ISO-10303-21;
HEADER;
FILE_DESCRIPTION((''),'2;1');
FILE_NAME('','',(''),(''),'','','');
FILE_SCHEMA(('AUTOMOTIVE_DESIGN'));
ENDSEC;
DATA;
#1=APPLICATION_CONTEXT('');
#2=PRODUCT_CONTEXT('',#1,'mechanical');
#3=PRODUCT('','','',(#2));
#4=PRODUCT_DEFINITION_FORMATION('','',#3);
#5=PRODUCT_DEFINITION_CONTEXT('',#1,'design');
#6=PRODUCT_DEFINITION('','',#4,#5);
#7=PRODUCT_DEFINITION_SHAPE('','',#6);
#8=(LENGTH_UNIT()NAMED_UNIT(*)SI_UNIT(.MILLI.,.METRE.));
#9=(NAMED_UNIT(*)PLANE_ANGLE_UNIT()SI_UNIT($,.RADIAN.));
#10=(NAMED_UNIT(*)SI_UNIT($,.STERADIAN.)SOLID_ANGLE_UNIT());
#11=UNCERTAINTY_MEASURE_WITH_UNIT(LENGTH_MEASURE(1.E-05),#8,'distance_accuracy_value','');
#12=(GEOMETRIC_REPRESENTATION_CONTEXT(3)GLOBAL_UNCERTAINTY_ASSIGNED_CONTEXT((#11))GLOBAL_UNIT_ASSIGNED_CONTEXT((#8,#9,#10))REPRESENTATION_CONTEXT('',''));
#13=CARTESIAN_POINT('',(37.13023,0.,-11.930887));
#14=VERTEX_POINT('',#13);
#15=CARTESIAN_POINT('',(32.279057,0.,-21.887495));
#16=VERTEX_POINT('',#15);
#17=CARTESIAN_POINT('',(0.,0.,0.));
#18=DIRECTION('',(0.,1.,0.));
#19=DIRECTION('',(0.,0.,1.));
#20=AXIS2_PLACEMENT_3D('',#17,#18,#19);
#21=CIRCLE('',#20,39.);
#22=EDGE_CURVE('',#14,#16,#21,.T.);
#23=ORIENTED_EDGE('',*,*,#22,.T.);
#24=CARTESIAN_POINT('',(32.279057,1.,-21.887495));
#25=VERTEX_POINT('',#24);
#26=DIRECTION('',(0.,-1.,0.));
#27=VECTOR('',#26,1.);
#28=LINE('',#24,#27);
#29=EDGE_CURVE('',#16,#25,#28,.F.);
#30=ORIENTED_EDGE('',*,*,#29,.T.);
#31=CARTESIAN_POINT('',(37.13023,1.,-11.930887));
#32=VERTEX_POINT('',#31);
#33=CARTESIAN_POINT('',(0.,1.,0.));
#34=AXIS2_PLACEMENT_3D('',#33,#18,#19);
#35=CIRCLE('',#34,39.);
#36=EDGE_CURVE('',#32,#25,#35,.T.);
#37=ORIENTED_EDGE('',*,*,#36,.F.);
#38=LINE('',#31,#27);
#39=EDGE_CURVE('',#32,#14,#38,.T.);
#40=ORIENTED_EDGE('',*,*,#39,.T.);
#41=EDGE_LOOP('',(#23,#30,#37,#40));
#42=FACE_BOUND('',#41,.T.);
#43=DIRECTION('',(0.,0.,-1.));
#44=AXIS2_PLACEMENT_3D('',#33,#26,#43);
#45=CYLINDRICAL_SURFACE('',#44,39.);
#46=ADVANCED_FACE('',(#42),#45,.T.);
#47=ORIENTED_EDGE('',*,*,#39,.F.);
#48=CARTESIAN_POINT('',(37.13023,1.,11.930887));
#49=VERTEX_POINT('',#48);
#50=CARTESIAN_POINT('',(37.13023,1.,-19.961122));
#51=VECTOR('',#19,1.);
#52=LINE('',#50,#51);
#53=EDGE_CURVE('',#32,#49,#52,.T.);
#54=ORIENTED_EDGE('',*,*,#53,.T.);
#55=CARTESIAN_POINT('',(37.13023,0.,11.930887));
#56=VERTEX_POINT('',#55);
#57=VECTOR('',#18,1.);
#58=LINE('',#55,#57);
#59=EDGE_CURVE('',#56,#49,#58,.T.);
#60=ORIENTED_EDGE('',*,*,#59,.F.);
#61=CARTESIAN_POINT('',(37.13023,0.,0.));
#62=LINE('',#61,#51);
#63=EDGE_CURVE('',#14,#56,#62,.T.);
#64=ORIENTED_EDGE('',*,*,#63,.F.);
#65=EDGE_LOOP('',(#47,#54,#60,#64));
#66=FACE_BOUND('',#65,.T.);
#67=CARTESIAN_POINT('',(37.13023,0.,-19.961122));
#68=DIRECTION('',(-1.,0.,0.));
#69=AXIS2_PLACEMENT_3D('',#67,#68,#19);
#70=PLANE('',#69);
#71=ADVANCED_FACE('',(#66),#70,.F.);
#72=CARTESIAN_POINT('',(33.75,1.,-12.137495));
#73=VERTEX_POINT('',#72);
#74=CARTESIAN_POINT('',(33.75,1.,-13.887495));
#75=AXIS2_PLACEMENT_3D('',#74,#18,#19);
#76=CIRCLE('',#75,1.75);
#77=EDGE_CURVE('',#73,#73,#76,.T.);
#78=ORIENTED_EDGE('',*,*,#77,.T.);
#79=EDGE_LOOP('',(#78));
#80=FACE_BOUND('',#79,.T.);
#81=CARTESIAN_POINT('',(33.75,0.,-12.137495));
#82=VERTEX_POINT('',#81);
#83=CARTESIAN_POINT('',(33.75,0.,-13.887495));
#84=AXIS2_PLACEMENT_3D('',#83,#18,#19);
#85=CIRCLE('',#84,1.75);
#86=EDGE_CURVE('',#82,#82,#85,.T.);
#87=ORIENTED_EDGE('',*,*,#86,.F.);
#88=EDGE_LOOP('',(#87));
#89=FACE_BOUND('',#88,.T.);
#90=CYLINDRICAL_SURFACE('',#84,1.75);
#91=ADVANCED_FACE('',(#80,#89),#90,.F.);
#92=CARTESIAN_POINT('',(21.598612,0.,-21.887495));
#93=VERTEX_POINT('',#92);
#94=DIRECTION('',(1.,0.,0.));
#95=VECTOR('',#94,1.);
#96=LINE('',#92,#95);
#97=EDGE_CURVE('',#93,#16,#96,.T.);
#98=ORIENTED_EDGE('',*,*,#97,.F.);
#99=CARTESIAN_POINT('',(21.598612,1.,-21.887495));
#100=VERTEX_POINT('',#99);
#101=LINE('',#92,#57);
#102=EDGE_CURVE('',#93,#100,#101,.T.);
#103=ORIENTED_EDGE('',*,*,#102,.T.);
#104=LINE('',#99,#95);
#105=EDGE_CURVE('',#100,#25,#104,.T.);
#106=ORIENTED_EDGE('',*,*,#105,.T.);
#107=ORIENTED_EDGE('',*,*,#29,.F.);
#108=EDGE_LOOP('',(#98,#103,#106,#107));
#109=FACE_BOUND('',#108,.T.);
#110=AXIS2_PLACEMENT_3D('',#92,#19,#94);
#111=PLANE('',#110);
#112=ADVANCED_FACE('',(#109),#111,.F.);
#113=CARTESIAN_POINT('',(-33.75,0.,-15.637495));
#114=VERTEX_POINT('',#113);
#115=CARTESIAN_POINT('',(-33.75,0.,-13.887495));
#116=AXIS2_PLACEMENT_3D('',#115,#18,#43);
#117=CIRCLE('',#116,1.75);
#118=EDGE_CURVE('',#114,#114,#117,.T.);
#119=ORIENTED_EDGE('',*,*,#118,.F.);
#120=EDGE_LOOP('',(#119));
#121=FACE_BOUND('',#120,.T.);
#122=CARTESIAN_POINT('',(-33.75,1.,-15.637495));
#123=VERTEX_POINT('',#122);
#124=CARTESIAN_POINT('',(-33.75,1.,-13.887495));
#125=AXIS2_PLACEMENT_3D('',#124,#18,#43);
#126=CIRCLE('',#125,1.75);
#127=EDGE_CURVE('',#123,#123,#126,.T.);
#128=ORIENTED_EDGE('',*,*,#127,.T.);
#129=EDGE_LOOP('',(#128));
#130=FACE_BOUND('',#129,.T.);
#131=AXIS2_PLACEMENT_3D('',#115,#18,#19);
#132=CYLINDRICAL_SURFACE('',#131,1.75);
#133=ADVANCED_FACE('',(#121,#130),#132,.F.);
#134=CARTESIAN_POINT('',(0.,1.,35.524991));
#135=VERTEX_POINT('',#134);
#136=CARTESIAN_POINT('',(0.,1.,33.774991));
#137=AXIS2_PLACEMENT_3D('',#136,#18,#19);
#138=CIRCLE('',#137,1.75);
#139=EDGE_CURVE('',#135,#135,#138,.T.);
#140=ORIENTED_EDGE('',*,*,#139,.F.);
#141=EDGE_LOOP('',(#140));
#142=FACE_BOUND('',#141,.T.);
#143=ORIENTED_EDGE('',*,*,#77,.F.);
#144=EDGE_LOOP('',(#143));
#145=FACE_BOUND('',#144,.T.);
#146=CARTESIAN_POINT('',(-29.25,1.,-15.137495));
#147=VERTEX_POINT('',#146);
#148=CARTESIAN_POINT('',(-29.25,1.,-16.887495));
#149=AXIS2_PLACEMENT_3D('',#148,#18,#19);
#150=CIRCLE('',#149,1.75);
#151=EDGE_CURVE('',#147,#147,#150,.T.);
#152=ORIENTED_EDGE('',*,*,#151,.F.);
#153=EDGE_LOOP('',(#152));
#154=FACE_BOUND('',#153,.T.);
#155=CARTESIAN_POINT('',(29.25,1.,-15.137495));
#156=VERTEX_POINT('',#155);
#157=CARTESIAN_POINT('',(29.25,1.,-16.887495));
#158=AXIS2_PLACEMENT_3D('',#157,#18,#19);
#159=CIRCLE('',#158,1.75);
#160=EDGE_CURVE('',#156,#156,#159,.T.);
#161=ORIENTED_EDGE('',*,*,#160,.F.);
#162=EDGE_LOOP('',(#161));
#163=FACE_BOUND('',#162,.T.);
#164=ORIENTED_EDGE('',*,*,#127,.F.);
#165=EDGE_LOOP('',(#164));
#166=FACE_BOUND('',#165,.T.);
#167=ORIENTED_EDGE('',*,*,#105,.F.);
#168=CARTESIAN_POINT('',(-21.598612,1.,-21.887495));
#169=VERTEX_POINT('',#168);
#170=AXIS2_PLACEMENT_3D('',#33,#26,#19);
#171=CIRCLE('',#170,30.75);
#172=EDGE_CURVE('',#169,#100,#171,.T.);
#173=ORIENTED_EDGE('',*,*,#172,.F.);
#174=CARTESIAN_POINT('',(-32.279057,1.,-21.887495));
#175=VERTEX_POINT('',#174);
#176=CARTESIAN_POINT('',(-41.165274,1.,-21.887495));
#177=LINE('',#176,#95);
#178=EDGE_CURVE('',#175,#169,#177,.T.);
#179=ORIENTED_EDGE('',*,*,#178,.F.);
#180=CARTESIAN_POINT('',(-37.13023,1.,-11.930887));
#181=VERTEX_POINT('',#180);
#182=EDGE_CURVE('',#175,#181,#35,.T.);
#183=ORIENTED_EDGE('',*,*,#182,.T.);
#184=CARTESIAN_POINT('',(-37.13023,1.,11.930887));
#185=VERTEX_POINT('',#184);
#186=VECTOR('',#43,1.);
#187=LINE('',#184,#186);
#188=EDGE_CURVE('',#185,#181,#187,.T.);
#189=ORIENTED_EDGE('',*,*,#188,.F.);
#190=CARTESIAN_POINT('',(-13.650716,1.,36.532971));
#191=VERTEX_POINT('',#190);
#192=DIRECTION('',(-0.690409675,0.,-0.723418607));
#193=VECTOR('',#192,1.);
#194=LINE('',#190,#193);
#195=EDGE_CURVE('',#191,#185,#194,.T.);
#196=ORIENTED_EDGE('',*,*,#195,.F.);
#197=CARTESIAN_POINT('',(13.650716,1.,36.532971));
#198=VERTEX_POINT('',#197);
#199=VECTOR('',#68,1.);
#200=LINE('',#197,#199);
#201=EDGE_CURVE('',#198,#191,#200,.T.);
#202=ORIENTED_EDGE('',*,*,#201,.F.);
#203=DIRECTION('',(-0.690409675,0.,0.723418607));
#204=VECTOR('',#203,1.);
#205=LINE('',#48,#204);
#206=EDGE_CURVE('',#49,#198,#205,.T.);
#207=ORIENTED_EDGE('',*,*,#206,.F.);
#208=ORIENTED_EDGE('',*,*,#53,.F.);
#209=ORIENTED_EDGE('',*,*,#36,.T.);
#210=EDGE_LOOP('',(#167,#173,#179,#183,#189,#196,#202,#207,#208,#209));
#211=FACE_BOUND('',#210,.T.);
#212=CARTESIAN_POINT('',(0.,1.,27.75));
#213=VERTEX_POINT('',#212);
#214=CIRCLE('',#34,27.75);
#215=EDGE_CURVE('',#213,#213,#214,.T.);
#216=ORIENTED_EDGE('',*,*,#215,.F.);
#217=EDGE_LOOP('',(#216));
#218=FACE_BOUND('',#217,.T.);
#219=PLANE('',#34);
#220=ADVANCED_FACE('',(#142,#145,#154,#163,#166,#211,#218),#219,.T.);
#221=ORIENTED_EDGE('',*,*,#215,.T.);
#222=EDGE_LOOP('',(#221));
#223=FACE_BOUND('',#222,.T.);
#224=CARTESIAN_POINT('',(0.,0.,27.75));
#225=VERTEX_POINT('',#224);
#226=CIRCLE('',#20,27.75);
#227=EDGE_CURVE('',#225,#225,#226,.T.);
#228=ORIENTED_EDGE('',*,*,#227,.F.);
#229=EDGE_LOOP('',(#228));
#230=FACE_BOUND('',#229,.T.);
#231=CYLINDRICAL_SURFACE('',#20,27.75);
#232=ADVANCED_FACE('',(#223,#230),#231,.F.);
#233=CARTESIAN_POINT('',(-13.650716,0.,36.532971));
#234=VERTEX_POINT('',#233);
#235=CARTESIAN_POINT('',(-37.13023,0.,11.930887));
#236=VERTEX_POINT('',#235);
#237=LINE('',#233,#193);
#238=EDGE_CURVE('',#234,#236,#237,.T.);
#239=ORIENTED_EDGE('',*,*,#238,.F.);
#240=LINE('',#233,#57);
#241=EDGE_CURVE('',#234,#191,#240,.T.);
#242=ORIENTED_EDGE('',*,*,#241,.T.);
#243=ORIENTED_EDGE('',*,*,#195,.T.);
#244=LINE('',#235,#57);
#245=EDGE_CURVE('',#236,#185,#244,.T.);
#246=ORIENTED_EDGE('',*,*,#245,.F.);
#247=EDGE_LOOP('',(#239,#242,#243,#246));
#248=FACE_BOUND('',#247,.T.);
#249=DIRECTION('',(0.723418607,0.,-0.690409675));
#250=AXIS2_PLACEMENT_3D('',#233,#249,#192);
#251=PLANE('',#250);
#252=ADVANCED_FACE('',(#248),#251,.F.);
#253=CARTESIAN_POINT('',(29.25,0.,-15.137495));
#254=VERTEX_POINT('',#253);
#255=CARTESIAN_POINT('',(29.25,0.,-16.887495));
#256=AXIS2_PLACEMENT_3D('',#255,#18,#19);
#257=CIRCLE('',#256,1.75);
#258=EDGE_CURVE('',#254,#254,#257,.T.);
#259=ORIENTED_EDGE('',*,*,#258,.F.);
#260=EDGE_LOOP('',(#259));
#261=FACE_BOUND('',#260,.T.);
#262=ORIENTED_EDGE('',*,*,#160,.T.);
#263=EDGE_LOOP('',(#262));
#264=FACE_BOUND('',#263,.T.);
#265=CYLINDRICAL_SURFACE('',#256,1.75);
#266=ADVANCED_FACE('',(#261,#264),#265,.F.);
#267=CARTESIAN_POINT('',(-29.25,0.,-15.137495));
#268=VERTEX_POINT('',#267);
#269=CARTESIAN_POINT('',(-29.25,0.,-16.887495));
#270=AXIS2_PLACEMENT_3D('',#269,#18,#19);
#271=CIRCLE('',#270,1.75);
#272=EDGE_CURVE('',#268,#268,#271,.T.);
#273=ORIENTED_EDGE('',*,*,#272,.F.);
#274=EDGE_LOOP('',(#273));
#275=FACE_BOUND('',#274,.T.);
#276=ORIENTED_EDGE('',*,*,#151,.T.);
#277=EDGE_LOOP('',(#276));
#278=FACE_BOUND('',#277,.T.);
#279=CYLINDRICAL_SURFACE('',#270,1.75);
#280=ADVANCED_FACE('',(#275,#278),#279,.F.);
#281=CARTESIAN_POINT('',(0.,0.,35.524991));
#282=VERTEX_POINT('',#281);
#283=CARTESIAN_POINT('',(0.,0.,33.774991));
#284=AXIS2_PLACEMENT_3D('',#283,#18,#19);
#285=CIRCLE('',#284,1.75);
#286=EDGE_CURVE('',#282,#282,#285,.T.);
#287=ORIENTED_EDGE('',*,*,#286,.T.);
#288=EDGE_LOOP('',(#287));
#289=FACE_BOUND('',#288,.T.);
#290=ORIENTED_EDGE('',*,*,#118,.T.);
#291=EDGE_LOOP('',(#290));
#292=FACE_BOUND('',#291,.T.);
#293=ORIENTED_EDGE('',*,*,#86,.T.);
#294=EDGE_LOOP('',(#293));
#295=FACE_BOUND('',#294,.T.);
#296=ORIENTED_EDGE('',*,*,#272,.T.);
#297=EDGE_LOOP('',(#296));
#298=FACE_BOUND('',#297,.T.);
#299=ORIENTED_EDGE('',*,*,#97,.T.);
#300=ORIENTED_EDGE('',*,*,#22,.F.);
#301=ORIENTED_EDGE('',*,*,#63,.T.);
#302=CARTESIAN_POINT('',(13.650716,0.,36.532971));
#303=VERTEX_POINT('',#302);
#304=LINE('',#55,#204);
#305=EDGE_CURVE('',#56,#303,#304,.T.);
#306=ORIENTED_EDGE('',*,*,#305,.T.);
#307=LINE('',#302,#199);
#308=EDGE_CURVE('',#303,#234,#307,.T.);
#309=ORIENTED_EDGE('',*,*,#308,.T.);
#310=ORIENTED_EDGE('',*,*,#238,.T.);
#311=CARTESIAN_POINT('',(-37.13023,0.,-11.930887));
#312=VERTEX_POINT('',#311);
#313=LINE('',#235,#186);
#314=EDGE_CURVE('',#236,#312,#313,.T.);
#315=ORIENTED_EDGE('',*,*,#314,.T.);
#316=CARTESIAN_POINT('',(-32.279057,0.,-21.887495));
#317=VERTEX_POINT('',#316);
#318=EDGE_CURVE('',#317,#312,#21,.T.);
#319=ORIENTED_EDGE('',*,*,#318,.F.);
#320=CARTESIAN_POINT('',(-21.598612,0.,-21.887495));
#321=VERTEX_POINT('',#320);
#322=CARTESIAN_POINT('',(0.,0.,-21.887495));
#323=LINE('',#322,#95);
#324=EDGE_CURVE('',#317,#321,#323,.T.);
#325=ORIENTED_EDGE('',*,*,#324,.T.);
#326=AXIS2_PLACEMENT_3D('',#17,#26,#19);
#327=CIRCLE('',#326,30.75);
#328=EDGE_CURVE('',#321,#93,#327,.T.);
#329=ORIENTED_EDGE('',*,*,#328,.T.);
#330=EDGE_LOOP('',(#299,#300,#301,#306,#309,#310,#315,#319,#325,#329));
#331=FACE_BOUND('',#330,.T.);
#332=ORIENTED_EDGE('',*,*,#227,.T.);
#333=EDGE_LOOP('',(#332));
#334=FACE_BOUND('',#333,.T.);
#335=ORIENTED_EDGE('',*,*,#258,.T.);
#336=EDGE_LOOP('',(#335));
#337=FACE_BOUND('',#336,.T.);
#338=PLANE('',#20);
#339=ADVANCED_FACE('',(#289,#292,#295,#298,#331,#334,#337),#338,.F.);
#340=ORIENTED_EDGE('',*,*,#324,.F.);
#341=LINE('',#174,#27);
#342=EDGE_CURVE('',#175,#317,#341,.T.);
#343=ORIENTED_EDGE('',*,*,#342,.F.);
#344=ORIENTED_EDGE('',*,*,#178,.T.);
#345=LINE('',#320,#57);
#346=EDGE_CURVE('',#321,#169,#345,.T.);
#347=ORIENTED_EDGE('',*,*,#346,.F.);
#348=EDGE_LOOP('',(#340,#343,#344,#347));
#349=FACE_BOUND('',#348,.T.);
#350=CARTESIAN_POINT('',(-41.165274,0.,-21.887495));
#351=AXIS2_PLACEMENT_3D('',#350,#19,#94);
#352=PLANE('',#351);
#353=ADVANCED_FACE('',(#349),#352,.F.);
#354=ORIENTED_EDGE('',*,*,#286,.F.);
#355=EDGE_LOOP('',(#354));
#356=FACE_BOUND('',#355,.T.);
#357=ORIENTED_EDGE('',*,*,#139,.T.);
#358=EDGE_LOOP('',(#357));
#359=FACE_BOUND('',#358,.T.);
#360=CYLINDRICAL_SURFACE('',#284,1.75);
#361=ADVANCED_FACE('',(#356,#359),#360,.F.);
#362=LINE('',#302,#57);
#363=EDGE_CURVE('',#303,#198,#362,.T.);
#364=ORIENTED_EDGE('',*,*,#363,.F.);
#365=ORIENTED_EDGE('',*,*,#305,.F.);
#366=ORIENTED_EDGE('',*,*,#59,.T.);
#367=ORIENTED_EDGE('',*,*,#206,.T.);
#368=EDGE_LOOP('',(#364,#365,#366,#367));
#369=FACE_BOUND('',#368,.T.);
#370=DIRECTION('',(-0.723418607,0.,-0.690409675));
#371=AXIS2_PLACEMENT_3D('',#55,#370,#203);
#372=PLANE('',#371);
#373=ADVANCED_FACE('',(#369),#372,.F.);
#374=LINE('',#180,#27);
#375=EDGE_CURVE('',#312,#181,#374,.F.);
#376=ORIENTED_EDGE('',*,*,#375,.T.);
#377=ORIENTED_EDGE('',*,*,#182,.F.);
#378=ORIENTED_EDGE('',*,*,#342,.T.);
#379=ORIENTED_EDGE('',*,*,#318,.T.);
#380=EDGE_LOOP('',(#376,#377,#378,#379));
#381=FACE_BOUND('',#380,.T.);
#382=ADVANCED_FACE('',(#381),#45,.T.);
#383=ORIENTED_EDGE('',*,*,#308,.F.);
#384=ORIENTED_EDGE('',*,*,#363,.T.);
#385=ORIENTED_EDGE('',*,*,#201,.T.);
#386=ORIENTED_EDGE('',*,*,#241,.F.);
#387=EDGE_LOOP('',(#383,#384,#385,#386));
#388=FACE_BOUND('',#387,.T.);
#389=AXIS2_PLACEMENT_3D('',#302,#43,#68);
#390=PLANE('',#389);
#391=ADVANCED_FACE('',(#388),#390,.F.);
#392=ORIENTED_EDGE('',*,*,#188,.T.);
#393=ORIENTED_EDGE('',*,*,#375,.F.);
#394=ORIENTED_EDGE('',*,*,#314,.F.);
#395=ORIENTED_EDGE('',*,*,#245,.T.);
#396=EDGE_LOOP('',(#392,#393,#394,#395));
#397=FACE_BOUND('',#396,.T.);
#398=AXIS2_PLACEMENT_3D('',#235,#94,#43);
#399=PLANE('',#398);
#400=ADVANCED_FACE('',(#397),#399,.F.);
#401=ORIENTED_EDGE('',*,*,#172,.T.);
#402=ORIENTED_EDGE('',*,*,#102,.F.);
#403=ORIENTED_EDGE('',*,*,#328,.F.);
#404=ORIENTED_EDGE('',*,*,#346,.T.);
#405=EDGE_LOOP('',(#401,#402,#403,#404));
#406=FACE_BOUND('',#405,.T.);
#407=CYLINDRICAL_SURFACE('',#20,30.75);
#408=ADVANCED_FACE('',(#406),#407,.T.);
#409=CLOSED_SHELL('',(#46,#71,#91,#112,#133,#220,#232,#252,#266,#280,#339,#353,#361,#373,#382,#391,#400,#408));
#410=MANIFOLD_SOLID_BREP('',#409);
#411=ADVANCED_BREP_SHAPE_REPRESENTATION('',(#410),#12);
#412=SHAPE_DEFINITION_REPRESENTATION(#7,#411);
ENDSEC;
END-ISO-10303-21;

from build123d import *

# Parameters (mm, degrees)
SKETCH_1_R          = 39
EXTRUDE_1_DEPTH     = 1
SKETCH_2_R          = 1.75
CUT_EXTRUDE_1_DEPTH = 1
SKETCH_3_R          = 27.75
CUT_EXTRUDE_2_DEPTH = 1
SKETCH_4_R          = 1.75
CUT_EXTRUDE_3_DEPTH = 1
CUT_EXTRUDE_4_DEPTH = 1
CUT_EXTRUDE_5_DEPTH = 1


with BuildPart() as part:
    # 스케치1 → 보스-돌출1 (new body)
    with BuildSketch(Plane(origin=(0, 0, 0), x_dir=(1, 0, 0), z_dir=(0, 1, 0))):
        with Locations(Location((0, 0, 0), (0, 0, 270))):
            Circle(SKETCH_1_R)
    extrude(amount=EXTRUDE_1_DEPTH)

    # 스케치2 → 컷-돌출1 (cut)
    with BuildSketch(Plane(origin=(0, 1, 0), x_dir=(1, 0, 0), z_dir=(0, 1, 0))):
        with Locations(Location((29.25, 16.887495374, 0), (0, 0, 270))):
            Circle(SKETCH_2_R)
        with Locations(Location((-29.25, 16.887495374, 0), (0, 0, 270))):
            Circle(SKETCH_2_R)
        with Locations(Location((0, -33.774990748, 0), (0, 0, 270))):
            Circle(SKETCH_2_R)
    extrude(amount=-CUT_EXTRUDE_1_DEPTH, mode=Mode.SUBTRACT)

    # 스케치3 → 컷-돌출2 (cut)
    with BuildSketch(Plane(origin=(0, 1, 0), x_dir=(1, 0, 0), z_dir=(0, 1, 0))):
        with Locations(Location((0, 0, 0), (0, 0, 270))):
            Circle(SKETCH_3_R)
    extrude(amount=-CUT_EXTRUDE_2_DEPTH, mode=Mode.SUBTRACT)

    # 스케치4 → 컷-돌출3 (cut)
    with BuildSketch(Plane(origin=(0, 1, 0), x_dir=(1, 0, 0), z_dir=(0, 1, 0))):
        with Locations(Location((33.75, 13.887495374, 0), (0, 0, 270))):
            Circle(SKETCH_4_R)
        with Locations(Location((-33.75, 13.887495374, 0), (0, 0, 90))):
            Circle(SKETCH_4_R)
    extrude(amount=-CUT_EXTRUDE_3_DEPTH, mode=Mode.SUBTRACT)

    # 스케치5 → 컷-돌출4 (cut)
    with BuildSketch(Plane(origin=(0, 1, 0), x_dir=(1, 0, 0), z_dir=(0, 1, 0))):
        with BuildLine():
            Line((-41.165274156, 21.887495374), (-21.598612137, 21.887495374))
            ThreePointArc((-21.598612137, 21.887495374), (0, 30.75), (21.598612137, 21.887495374))
            Line((21.598612137, 21.887495374), (39.254048052, 21.887495374))
            Line((39.254048052, 21.887495374), (39.254048052, 46.515320785))
            Line((39.254048052, 46.515320785), (-41.165274156, 46.515320785))
            Line((-41.165274156, 46.515320785), (-41.165274156, 21.887495374))
        make_face()
    extrude(amount=-CUT_EXTRUDE_4_DEPTH, mode=Mode.SUBTRACT)

    # 스케치6 → 컷-돌출5 (cut)
    with BuildSketch(Plane(origin=(0, 1, 0), x_dir=(1, 0, 0), z_dir=(0, 1, 0))):
        Polygon((37.13022954, 19.961121964), (37.13022954, -11.930886568), (13.650716042, -36.532970746), (-13.650716042, -36.532970746), (-37.13022954, -11.930886568), (-37.13022954, 19.961121964), (-57.208624866, 19.961121964), (-57.208624866, -51.243312927), (54.097642537, -51.243312927), (54.097642537, 19.961121964), align=None)
    extrude(amount=-CUT_EXTRUDE_5_DEPTH, mode=Mode.SUBTRACT)


solid = part.part
